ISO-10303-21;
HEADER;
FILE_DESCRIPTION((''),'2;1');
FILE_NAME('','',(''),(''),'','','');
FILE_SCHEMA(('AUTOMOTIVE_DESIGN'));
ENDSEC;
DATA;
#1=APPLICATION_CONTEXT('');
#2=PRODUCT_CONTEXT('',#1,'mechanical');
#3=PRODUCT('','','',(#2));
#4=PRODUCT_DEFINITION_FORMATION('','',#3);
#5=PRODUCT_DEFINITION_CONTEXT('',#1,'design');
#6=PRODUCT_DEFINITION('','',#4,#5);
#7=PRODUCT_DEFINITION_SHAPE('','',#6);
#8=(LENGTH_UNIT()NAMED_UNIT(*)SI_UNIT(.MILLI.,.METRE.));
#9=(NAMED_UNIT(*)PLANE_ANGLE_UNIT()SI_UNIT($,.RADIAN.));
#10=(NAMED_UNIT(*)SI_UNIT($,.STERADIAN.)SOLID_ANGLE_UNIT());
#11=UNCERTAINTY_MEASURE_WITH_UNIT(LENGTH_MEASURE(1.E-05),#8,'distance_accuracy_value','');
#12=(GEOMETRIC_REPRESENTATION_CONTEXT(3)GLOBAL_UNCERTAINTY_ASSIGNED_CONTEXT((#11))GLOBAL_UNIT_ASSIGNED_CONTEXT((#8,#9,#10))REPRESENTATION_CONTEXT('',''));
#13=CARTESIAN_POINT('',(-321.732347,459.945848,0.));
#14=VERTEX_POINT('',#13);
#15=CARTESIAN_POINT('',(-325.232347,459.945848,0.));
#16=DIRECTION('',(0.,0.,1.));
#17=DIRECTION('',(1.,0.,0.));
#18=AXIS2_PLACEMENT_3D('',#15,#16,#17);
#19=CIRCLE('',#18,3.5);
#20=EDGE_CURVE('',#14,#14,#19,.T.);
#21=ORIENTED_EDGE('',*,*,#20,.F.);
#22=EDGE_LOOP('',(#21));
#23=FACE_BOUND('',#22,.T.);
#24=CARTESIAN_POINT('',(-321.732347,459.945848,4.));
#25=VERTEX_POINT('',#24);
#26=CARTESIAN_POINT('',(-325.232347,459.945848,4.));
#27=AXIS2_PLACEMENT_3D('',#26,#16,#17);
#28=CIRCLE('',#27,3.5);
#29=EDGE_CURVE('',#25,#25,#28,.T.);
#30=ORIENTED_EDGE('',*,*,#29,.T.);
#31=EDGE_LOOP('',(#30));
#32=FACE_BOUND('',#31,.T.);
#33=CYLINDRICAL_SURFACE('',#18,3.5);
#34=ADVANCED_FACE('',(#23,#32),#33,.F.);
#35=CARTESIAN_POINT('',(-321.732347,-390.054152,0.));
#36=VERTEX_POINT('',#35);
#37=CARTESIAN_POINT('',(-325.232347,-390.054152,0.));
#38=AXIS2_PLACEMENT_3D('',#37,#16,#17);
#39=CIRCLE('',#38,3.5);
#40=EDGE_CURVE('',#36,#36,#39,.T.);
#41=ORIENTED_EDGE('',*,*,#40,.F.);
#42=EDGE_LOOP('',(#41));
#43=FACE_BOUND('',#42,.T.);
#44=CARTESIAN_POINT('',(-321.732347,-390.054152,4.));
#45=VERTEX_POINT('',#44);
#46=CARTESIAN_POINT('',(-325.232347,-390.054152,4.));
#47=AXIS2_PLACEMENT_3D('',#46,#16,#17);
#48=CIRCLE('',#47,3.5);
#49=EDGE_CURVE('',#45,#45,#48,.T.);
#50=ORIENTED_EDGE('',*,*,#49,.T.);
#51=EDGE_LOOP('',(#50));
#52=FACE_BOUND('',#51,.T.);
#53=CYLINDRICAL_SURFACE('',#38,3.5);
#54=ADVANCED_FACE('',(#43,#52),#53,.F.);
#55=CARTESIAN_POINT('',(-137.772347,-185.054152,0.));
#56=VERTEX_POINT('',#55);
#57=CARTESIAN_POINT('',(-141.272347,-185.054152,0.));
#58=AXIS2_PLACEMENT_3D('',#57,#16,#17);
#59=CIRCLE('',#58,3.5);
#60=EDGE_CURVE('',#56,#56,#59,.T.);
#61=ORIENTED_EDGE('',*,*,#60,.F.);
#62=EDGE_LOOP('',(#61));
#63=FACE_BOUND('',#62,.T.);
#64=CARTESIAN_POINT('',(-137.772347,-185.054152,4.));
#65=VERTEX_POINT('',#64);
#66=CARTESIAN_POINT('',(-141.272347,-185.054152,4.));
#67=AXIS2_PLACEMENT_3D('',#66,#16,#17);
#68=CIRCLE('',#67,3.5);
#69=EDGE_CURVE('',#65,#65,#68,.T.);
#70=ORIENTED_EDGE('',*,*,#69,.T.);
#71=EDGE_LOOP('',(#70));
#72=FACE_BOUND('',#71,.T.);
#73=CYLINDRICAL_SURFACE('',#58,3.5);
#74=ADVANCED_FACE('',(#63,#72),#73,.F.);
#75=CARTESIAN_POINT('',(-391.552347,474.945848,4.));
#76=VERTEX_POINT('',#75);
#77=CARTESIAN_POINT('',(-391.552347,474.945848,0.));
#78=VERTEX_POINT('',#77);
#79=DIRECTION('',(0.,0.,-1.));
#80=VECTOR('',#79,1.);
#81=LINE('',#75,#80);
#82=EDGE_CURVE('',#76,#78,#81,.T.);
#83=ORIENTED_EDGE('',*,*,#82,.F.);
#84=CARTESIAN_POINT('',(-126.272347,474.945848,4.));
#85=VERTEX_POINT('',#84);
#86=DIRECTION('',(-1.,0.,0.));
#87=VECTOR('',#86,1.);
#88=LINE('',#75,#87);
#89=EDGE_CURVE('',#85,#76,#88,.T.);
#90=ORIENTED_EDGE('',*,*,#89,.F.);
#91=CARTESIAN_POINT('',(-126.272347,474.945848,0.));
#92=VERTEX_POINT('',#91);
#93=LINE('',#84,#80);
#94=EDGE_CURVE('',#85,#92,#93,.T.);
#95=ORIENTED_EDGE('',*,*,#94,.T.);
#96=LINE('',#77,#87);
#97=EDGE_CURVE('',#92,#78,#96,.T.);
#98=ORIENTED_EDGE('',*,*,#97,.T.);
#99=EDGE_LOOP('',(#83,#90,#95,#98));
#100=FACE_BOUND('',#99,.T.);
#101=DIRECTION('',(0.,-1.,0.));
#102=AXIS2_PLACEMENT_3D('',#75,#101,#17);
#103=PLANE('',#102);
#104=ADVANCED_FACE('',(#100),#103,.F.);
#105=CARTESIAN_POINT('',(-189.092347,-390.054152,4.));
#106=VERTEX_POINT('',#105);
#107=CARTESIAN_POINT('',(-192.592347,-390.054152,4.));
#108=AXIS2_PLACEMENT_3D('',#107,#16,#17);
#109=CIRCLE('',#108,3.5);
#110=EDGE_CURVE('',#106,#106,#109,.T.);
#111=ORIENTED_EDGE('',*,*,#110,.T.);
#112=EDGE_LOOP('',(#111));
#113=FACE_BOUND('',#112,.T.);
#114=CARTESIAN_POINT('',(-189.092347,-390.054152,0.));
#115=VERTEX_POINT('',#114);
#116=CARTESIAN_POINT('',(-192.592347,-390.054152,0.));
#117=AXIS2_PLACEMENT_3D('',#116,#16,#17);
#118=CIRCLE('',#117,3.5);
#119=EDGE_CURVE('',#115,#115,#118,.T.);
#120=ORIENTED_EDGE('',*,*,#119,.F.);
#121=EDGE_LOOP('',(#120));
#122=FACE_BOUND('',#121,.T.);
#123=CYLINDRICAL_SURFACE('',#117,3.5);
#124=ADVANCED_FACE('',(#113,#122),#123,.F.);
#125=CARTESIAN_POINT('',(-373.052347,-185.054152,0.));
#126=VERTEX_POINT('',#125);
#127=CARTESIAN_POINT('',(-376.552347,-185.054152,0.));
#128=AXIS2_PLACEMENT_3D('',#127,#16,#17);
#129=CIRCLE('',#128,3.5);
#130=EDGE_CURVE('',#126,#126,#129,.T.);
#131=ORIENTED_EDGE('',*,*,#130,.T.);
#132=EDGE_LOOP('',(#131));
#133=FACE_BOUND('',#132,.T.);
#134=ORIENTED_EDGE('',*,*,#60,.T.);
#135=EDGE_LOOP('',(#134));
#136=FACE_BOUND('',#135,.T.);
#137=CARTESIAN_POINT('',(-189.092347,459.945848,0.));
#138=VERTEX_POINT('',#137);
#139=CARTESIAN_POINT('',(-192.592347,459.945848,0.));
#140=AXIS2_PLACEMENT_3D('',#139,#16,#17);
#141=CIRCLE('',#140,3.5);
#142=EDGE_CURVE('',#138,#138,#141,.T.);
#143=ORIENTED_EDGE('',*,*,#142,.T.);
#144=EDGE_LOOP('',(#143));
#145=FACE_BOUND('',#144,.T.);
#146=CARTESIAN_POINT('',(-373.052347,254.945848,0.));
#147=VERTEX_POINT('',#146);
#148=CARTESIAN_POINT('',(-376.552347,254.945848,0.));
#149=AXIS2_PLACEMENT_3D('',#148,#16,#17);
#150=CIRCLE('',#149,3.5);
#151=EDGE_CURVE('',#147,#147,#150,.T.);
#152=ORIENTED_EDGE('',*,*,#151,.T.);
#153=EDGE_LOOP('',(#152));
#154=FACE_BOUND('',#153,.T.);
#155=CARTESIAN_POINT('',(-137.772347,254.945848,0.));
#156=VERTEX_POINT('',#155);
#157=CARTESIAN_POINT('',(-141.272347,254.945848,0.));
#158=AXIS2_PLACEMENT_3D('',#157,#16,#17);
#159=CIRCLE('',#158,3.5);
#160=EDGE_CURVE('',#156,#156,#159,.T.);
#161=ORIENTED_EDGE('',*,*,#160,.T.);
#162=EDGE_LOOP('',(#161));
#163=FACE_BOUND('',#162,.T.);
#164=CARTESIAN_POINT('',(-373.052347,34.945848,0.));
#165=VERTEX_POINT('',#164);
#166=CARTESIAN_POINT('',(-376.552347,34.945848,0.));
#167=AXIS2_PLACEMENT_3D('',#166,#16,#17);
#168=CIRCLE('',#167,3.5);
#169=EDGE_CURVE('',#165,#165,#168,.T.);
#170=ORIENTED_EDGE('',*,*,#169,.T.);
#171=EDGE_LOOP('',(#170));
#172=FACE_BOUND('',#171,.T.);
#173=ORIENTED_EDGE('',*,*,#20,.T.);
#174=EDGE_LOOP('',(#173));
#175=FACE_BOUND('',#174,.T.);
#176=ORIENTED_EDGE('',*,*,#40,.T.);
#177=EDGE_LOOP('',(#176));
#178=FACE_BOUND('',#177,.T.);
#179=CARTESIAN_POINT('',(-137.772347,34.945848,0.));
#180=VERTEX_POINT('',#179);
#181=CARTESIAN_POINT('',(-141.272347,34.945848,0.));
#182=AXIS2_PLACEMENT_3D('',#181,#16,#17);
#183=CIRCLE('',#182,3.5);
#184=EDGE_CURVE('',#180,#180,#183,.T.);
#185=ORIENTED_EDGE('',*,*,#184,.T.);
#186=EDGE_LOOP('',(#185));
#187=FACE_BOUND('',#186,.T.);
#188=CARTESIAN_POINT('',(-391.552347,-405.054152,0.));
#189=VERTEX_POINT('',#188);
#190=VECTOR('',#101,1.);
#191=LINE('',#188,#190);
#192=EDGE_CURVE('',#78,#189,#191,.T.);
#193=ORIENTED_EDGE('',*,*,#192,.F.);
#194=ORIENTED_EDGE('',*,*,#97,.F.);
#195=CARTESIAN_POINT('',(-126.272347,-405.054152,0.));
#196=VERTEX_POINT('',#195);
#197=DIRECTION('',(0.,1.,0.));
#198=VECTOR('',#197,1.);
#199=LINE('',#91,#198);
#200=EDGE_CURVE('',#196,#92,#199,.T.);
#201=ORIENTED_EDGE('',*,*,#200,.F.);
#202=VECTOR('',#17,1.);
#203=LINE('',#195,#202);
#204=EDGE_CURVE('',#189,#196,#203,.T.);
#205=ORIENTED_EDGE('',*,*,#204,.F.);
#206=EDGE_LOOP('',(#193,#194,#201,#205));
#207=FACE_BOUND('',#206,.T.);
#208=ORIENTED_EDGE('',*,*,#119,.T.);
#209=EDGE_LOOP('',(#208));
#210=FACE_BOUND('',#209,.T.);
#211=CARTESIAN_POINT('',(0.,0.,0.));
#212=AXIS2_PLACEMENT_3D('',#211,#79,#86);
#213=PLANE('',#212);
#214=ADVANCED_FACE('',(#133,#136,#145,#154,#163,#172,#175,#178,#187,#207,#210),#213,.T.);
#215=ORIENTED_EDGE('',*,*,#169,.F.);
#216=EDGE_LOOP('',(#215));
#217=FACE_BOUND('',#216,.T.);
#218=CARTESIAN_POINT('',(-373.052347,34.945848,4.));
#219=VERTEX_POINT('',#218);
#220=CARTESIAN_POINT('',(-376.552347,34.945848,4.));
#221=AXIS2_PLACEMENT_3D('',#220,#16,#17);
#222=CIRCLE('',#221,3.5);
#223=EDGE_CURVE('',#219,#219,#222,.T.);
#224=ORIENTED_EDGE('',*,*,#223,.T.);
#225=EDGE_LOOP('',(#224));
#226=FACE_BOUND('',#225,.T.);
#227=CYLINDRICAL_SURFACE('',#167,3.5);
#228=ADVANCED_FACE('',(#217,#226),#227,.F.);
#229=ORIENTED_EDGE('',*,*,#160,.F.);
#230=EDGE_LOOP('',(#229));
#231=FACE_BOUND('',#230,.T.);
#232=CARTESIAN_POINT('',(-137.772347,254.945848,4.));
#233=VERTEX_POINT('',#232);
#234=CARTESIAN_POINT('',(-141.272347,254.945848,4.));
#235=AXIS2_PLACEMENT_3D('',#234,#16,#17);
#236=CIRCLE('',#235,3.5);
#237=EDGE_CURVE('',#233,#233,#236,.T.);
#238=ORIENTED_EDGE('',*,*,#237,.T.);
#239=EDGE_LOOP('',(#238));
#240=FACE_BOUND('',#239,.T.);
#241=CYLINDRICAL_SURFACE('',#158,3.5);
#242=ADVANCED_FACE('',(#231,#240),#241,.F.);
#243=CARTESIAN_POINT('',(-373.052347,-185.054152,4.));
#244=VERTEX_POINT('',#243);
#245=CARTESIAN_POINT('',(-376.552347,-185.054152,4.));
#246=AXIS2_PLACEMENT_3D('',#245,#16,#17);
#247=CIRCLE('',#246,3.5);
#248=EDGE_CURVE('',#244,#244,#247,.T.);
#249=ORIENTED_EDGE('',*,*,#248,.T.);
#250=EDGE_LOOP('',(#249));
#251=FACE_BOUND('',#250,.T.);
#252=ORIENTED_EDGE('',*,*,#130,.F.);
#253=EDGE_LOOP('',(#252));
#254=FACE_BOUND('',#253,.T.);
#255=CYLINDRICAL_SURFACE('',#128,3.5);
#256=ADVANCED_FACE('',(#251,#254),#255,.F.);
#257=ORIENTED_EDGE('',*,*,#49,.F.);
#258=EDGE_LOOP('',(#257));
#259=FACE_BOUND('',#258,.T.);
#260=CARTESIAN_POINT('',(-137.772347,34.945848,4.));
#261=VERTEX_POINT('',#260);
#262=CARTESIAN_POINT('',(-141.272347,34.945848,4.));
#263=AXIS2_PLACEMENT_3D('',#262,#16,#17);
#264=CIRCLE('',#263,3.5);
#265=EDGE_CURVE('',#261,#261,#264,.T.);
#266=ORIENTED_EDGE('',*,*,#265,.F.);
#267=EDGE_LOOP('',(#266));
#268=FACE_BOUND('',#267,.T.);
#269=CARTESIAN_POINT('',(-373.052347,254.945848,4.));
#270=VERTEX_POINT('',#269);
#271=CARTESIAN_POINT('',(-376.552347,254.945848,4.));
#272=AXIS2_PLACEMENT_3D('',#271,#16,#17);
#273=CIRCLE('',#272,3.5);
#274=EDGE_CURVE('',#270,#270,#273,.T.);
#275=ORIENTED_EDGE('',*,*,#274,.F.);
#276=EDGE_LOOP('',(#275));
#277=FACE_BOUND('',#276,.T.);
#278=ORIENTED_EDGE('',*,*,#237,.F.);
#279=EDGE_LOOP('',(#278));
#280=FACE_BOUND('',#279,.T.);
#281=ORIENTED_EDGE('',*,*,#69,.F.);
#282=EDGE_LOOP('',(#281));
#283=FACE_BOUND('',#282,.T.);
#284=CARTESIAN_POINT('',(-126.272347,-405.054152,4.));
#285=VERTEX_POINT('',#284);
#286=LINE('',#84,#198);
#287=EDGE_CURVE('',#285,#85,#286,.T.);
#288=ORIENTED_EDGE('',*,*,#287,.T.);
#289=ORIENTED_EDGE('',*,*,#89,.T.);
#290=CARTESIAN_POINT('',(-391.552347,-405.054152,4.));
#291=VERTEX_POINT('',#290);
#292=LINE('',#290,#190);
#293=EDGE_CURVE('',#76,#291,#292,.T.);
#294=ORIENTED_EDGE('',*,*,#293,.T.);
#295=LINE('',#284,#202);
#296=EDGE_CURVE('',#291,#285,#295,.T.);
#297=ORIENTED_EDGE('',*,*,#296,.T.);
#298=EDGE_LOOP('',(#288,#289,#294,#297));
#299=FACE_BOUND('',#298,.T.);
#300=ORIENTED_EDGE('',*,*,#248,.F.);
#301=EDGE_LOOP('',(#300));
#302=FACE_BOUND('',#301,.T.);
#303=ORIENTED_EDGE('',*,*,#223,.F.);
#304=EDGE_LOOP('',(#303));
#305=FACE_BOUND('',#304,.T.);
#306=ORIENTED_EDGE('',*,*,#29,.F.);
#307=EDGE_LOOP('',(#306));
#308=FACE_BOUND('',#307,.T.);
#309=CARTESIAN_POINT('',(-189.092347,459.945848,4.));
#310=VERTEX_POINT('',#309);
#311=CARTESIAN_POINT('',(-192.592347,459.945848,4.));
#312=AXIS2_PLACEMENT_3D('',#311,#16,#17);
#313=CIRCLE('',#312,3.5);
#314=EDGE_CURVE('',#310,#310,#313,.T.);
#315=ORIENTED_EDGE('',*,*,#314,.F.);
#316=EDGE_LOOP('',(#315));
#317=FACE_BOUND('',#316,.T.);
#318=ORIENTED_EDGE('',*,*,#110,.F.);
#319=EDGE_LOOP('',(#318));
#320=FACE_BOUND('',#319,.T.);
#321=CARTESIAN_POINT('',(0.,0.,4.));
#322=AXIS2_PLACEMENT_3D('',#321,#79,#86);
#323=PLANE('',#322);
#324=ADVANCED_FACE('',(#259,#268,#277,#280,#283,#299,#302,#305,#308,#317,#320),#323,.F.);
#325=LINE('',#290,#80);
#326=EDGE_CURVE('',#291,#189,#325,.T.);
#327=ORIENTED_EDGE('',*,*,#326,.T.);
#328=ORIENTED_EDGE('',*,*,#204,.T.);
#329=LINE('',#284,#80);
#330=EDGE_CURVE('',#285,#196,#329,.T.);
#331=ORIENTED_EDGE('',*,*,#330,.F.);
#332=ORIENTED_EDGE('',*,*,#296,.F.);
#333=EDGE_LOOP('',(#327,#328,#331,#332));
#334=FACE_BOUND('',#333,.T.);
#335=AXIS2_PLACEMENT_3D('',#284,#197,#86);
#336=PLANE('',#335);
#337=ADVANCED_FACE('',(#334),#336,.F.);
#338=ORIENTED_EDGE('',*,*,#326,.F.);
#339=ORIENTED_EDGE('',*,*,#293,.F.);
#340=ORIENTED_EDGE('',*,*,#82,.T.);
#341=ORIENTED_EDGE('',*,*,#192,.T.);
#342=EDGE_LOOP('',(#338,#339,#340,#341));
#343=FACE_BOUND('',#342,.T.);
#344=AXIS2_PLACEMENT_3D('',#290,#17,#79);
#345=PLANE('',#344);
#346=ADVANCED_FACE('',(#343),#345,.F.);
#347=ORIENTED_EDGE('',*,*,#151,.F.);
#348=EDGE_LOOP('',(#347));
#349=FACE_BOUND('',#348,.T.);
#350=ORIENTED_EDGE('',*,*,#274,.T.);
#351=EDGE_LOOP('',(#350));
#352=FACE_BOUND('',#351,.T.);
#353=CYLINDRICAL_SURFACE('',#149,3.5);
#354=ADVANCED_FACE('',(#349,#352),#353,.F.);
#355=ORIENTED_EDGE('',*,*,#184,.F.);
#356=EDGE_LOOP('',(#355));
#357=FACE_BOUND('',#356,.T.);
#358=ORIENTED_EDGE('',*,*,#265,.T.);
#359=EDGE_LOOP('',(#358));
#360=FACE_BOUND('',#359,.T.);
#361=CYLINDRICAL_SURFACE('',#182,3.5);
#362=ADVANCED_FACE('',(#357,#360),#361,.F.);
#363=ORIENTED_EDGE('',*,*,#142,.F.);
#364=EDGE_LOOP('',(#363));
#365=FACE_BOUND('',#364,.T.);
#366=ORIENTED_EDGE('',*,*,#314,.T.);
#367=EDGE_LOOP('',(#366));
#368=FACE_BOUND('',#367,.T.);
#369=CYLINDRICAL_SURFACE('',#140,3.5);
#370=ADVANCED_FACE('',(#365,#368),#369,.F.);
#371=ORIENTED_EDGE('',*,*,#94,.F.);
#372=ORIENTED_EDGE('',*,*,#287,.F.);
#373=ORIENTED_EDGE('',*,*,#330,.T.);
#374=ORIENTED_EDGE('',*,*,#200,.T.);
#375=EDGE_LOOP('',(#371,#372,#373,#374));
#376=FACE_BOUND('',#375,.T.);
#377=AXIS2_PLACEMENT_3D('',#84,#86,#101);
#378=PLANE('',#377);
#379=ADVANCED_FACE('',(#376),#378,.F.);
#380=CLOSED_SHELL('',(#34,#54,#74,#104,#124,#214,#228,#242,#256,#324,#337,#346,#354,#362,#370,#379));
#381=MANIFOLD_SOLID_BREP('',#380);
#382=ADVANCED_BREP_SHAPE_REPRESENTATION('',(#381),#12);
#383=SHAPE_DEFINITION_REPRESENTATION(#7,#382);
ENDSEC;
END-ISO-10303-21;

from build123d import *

# Parameters (mm, degrees)
SKETCH1_W           = 265.28
SKETCH1_H           = 880
BOSS_EXTRUDE1_DEPTH = 4
SKETCH2_R           = 3.5
CUT_EXTRUDE1_DEPTH  = 4


with BuildPart() as part:
    # Sketch1 → Boss-Extrude1 (new body)
    with BuildSketch(Plane.XY):
        with Locations((-258.91234657, 34.945848375)):
            Rectangle(SKETCH1_W, SKETCH1_H)
    extrude(amount=BOSS_EXTRUDE1_DEPTH)

    # Sketch2 → Cut-Extrude1 (cut)
    with BuildSketch(Plane.XY.offset(4)):
        with Locations((-325.23234657, 459.945848375)):
            Circle(SKETCH2_R)
        with Locations((-192.59234657, 459.945848375)):
            Circle(SKETCH2_R)
        with Locations((-325.23234657, -390.054151625)):
            Circle(SKETCH2_R)
        with Locations((-192.59234657, -390.054151625)):
            Circle(SKETCH2_R)
        with Locations((-376.55234657, 254.945848375)):
            Circle(SKETCH2_R)
        with Locations((-376.55234657, -185.054151625)):
            Circle(SKETCH2_R)
        with Locations((-141.27234657, -185.054151625)):
            Circle(SKETCH2_R)
        with Locations((-141.27234657, 254.945848375)):
            Circle(SKETCH2_R)
        with Locations((-376.55234657, 34.945848375)):
            Circle(SKETCH2_R)
        with Locations((-141.27234657, 34.945848375)):
            Circle(SKETCH2_R)
    extrude(amount=-CUT_EXTRUDE1_DEPTH, mode=Mode.SUBTRACT)


solid = part.part
